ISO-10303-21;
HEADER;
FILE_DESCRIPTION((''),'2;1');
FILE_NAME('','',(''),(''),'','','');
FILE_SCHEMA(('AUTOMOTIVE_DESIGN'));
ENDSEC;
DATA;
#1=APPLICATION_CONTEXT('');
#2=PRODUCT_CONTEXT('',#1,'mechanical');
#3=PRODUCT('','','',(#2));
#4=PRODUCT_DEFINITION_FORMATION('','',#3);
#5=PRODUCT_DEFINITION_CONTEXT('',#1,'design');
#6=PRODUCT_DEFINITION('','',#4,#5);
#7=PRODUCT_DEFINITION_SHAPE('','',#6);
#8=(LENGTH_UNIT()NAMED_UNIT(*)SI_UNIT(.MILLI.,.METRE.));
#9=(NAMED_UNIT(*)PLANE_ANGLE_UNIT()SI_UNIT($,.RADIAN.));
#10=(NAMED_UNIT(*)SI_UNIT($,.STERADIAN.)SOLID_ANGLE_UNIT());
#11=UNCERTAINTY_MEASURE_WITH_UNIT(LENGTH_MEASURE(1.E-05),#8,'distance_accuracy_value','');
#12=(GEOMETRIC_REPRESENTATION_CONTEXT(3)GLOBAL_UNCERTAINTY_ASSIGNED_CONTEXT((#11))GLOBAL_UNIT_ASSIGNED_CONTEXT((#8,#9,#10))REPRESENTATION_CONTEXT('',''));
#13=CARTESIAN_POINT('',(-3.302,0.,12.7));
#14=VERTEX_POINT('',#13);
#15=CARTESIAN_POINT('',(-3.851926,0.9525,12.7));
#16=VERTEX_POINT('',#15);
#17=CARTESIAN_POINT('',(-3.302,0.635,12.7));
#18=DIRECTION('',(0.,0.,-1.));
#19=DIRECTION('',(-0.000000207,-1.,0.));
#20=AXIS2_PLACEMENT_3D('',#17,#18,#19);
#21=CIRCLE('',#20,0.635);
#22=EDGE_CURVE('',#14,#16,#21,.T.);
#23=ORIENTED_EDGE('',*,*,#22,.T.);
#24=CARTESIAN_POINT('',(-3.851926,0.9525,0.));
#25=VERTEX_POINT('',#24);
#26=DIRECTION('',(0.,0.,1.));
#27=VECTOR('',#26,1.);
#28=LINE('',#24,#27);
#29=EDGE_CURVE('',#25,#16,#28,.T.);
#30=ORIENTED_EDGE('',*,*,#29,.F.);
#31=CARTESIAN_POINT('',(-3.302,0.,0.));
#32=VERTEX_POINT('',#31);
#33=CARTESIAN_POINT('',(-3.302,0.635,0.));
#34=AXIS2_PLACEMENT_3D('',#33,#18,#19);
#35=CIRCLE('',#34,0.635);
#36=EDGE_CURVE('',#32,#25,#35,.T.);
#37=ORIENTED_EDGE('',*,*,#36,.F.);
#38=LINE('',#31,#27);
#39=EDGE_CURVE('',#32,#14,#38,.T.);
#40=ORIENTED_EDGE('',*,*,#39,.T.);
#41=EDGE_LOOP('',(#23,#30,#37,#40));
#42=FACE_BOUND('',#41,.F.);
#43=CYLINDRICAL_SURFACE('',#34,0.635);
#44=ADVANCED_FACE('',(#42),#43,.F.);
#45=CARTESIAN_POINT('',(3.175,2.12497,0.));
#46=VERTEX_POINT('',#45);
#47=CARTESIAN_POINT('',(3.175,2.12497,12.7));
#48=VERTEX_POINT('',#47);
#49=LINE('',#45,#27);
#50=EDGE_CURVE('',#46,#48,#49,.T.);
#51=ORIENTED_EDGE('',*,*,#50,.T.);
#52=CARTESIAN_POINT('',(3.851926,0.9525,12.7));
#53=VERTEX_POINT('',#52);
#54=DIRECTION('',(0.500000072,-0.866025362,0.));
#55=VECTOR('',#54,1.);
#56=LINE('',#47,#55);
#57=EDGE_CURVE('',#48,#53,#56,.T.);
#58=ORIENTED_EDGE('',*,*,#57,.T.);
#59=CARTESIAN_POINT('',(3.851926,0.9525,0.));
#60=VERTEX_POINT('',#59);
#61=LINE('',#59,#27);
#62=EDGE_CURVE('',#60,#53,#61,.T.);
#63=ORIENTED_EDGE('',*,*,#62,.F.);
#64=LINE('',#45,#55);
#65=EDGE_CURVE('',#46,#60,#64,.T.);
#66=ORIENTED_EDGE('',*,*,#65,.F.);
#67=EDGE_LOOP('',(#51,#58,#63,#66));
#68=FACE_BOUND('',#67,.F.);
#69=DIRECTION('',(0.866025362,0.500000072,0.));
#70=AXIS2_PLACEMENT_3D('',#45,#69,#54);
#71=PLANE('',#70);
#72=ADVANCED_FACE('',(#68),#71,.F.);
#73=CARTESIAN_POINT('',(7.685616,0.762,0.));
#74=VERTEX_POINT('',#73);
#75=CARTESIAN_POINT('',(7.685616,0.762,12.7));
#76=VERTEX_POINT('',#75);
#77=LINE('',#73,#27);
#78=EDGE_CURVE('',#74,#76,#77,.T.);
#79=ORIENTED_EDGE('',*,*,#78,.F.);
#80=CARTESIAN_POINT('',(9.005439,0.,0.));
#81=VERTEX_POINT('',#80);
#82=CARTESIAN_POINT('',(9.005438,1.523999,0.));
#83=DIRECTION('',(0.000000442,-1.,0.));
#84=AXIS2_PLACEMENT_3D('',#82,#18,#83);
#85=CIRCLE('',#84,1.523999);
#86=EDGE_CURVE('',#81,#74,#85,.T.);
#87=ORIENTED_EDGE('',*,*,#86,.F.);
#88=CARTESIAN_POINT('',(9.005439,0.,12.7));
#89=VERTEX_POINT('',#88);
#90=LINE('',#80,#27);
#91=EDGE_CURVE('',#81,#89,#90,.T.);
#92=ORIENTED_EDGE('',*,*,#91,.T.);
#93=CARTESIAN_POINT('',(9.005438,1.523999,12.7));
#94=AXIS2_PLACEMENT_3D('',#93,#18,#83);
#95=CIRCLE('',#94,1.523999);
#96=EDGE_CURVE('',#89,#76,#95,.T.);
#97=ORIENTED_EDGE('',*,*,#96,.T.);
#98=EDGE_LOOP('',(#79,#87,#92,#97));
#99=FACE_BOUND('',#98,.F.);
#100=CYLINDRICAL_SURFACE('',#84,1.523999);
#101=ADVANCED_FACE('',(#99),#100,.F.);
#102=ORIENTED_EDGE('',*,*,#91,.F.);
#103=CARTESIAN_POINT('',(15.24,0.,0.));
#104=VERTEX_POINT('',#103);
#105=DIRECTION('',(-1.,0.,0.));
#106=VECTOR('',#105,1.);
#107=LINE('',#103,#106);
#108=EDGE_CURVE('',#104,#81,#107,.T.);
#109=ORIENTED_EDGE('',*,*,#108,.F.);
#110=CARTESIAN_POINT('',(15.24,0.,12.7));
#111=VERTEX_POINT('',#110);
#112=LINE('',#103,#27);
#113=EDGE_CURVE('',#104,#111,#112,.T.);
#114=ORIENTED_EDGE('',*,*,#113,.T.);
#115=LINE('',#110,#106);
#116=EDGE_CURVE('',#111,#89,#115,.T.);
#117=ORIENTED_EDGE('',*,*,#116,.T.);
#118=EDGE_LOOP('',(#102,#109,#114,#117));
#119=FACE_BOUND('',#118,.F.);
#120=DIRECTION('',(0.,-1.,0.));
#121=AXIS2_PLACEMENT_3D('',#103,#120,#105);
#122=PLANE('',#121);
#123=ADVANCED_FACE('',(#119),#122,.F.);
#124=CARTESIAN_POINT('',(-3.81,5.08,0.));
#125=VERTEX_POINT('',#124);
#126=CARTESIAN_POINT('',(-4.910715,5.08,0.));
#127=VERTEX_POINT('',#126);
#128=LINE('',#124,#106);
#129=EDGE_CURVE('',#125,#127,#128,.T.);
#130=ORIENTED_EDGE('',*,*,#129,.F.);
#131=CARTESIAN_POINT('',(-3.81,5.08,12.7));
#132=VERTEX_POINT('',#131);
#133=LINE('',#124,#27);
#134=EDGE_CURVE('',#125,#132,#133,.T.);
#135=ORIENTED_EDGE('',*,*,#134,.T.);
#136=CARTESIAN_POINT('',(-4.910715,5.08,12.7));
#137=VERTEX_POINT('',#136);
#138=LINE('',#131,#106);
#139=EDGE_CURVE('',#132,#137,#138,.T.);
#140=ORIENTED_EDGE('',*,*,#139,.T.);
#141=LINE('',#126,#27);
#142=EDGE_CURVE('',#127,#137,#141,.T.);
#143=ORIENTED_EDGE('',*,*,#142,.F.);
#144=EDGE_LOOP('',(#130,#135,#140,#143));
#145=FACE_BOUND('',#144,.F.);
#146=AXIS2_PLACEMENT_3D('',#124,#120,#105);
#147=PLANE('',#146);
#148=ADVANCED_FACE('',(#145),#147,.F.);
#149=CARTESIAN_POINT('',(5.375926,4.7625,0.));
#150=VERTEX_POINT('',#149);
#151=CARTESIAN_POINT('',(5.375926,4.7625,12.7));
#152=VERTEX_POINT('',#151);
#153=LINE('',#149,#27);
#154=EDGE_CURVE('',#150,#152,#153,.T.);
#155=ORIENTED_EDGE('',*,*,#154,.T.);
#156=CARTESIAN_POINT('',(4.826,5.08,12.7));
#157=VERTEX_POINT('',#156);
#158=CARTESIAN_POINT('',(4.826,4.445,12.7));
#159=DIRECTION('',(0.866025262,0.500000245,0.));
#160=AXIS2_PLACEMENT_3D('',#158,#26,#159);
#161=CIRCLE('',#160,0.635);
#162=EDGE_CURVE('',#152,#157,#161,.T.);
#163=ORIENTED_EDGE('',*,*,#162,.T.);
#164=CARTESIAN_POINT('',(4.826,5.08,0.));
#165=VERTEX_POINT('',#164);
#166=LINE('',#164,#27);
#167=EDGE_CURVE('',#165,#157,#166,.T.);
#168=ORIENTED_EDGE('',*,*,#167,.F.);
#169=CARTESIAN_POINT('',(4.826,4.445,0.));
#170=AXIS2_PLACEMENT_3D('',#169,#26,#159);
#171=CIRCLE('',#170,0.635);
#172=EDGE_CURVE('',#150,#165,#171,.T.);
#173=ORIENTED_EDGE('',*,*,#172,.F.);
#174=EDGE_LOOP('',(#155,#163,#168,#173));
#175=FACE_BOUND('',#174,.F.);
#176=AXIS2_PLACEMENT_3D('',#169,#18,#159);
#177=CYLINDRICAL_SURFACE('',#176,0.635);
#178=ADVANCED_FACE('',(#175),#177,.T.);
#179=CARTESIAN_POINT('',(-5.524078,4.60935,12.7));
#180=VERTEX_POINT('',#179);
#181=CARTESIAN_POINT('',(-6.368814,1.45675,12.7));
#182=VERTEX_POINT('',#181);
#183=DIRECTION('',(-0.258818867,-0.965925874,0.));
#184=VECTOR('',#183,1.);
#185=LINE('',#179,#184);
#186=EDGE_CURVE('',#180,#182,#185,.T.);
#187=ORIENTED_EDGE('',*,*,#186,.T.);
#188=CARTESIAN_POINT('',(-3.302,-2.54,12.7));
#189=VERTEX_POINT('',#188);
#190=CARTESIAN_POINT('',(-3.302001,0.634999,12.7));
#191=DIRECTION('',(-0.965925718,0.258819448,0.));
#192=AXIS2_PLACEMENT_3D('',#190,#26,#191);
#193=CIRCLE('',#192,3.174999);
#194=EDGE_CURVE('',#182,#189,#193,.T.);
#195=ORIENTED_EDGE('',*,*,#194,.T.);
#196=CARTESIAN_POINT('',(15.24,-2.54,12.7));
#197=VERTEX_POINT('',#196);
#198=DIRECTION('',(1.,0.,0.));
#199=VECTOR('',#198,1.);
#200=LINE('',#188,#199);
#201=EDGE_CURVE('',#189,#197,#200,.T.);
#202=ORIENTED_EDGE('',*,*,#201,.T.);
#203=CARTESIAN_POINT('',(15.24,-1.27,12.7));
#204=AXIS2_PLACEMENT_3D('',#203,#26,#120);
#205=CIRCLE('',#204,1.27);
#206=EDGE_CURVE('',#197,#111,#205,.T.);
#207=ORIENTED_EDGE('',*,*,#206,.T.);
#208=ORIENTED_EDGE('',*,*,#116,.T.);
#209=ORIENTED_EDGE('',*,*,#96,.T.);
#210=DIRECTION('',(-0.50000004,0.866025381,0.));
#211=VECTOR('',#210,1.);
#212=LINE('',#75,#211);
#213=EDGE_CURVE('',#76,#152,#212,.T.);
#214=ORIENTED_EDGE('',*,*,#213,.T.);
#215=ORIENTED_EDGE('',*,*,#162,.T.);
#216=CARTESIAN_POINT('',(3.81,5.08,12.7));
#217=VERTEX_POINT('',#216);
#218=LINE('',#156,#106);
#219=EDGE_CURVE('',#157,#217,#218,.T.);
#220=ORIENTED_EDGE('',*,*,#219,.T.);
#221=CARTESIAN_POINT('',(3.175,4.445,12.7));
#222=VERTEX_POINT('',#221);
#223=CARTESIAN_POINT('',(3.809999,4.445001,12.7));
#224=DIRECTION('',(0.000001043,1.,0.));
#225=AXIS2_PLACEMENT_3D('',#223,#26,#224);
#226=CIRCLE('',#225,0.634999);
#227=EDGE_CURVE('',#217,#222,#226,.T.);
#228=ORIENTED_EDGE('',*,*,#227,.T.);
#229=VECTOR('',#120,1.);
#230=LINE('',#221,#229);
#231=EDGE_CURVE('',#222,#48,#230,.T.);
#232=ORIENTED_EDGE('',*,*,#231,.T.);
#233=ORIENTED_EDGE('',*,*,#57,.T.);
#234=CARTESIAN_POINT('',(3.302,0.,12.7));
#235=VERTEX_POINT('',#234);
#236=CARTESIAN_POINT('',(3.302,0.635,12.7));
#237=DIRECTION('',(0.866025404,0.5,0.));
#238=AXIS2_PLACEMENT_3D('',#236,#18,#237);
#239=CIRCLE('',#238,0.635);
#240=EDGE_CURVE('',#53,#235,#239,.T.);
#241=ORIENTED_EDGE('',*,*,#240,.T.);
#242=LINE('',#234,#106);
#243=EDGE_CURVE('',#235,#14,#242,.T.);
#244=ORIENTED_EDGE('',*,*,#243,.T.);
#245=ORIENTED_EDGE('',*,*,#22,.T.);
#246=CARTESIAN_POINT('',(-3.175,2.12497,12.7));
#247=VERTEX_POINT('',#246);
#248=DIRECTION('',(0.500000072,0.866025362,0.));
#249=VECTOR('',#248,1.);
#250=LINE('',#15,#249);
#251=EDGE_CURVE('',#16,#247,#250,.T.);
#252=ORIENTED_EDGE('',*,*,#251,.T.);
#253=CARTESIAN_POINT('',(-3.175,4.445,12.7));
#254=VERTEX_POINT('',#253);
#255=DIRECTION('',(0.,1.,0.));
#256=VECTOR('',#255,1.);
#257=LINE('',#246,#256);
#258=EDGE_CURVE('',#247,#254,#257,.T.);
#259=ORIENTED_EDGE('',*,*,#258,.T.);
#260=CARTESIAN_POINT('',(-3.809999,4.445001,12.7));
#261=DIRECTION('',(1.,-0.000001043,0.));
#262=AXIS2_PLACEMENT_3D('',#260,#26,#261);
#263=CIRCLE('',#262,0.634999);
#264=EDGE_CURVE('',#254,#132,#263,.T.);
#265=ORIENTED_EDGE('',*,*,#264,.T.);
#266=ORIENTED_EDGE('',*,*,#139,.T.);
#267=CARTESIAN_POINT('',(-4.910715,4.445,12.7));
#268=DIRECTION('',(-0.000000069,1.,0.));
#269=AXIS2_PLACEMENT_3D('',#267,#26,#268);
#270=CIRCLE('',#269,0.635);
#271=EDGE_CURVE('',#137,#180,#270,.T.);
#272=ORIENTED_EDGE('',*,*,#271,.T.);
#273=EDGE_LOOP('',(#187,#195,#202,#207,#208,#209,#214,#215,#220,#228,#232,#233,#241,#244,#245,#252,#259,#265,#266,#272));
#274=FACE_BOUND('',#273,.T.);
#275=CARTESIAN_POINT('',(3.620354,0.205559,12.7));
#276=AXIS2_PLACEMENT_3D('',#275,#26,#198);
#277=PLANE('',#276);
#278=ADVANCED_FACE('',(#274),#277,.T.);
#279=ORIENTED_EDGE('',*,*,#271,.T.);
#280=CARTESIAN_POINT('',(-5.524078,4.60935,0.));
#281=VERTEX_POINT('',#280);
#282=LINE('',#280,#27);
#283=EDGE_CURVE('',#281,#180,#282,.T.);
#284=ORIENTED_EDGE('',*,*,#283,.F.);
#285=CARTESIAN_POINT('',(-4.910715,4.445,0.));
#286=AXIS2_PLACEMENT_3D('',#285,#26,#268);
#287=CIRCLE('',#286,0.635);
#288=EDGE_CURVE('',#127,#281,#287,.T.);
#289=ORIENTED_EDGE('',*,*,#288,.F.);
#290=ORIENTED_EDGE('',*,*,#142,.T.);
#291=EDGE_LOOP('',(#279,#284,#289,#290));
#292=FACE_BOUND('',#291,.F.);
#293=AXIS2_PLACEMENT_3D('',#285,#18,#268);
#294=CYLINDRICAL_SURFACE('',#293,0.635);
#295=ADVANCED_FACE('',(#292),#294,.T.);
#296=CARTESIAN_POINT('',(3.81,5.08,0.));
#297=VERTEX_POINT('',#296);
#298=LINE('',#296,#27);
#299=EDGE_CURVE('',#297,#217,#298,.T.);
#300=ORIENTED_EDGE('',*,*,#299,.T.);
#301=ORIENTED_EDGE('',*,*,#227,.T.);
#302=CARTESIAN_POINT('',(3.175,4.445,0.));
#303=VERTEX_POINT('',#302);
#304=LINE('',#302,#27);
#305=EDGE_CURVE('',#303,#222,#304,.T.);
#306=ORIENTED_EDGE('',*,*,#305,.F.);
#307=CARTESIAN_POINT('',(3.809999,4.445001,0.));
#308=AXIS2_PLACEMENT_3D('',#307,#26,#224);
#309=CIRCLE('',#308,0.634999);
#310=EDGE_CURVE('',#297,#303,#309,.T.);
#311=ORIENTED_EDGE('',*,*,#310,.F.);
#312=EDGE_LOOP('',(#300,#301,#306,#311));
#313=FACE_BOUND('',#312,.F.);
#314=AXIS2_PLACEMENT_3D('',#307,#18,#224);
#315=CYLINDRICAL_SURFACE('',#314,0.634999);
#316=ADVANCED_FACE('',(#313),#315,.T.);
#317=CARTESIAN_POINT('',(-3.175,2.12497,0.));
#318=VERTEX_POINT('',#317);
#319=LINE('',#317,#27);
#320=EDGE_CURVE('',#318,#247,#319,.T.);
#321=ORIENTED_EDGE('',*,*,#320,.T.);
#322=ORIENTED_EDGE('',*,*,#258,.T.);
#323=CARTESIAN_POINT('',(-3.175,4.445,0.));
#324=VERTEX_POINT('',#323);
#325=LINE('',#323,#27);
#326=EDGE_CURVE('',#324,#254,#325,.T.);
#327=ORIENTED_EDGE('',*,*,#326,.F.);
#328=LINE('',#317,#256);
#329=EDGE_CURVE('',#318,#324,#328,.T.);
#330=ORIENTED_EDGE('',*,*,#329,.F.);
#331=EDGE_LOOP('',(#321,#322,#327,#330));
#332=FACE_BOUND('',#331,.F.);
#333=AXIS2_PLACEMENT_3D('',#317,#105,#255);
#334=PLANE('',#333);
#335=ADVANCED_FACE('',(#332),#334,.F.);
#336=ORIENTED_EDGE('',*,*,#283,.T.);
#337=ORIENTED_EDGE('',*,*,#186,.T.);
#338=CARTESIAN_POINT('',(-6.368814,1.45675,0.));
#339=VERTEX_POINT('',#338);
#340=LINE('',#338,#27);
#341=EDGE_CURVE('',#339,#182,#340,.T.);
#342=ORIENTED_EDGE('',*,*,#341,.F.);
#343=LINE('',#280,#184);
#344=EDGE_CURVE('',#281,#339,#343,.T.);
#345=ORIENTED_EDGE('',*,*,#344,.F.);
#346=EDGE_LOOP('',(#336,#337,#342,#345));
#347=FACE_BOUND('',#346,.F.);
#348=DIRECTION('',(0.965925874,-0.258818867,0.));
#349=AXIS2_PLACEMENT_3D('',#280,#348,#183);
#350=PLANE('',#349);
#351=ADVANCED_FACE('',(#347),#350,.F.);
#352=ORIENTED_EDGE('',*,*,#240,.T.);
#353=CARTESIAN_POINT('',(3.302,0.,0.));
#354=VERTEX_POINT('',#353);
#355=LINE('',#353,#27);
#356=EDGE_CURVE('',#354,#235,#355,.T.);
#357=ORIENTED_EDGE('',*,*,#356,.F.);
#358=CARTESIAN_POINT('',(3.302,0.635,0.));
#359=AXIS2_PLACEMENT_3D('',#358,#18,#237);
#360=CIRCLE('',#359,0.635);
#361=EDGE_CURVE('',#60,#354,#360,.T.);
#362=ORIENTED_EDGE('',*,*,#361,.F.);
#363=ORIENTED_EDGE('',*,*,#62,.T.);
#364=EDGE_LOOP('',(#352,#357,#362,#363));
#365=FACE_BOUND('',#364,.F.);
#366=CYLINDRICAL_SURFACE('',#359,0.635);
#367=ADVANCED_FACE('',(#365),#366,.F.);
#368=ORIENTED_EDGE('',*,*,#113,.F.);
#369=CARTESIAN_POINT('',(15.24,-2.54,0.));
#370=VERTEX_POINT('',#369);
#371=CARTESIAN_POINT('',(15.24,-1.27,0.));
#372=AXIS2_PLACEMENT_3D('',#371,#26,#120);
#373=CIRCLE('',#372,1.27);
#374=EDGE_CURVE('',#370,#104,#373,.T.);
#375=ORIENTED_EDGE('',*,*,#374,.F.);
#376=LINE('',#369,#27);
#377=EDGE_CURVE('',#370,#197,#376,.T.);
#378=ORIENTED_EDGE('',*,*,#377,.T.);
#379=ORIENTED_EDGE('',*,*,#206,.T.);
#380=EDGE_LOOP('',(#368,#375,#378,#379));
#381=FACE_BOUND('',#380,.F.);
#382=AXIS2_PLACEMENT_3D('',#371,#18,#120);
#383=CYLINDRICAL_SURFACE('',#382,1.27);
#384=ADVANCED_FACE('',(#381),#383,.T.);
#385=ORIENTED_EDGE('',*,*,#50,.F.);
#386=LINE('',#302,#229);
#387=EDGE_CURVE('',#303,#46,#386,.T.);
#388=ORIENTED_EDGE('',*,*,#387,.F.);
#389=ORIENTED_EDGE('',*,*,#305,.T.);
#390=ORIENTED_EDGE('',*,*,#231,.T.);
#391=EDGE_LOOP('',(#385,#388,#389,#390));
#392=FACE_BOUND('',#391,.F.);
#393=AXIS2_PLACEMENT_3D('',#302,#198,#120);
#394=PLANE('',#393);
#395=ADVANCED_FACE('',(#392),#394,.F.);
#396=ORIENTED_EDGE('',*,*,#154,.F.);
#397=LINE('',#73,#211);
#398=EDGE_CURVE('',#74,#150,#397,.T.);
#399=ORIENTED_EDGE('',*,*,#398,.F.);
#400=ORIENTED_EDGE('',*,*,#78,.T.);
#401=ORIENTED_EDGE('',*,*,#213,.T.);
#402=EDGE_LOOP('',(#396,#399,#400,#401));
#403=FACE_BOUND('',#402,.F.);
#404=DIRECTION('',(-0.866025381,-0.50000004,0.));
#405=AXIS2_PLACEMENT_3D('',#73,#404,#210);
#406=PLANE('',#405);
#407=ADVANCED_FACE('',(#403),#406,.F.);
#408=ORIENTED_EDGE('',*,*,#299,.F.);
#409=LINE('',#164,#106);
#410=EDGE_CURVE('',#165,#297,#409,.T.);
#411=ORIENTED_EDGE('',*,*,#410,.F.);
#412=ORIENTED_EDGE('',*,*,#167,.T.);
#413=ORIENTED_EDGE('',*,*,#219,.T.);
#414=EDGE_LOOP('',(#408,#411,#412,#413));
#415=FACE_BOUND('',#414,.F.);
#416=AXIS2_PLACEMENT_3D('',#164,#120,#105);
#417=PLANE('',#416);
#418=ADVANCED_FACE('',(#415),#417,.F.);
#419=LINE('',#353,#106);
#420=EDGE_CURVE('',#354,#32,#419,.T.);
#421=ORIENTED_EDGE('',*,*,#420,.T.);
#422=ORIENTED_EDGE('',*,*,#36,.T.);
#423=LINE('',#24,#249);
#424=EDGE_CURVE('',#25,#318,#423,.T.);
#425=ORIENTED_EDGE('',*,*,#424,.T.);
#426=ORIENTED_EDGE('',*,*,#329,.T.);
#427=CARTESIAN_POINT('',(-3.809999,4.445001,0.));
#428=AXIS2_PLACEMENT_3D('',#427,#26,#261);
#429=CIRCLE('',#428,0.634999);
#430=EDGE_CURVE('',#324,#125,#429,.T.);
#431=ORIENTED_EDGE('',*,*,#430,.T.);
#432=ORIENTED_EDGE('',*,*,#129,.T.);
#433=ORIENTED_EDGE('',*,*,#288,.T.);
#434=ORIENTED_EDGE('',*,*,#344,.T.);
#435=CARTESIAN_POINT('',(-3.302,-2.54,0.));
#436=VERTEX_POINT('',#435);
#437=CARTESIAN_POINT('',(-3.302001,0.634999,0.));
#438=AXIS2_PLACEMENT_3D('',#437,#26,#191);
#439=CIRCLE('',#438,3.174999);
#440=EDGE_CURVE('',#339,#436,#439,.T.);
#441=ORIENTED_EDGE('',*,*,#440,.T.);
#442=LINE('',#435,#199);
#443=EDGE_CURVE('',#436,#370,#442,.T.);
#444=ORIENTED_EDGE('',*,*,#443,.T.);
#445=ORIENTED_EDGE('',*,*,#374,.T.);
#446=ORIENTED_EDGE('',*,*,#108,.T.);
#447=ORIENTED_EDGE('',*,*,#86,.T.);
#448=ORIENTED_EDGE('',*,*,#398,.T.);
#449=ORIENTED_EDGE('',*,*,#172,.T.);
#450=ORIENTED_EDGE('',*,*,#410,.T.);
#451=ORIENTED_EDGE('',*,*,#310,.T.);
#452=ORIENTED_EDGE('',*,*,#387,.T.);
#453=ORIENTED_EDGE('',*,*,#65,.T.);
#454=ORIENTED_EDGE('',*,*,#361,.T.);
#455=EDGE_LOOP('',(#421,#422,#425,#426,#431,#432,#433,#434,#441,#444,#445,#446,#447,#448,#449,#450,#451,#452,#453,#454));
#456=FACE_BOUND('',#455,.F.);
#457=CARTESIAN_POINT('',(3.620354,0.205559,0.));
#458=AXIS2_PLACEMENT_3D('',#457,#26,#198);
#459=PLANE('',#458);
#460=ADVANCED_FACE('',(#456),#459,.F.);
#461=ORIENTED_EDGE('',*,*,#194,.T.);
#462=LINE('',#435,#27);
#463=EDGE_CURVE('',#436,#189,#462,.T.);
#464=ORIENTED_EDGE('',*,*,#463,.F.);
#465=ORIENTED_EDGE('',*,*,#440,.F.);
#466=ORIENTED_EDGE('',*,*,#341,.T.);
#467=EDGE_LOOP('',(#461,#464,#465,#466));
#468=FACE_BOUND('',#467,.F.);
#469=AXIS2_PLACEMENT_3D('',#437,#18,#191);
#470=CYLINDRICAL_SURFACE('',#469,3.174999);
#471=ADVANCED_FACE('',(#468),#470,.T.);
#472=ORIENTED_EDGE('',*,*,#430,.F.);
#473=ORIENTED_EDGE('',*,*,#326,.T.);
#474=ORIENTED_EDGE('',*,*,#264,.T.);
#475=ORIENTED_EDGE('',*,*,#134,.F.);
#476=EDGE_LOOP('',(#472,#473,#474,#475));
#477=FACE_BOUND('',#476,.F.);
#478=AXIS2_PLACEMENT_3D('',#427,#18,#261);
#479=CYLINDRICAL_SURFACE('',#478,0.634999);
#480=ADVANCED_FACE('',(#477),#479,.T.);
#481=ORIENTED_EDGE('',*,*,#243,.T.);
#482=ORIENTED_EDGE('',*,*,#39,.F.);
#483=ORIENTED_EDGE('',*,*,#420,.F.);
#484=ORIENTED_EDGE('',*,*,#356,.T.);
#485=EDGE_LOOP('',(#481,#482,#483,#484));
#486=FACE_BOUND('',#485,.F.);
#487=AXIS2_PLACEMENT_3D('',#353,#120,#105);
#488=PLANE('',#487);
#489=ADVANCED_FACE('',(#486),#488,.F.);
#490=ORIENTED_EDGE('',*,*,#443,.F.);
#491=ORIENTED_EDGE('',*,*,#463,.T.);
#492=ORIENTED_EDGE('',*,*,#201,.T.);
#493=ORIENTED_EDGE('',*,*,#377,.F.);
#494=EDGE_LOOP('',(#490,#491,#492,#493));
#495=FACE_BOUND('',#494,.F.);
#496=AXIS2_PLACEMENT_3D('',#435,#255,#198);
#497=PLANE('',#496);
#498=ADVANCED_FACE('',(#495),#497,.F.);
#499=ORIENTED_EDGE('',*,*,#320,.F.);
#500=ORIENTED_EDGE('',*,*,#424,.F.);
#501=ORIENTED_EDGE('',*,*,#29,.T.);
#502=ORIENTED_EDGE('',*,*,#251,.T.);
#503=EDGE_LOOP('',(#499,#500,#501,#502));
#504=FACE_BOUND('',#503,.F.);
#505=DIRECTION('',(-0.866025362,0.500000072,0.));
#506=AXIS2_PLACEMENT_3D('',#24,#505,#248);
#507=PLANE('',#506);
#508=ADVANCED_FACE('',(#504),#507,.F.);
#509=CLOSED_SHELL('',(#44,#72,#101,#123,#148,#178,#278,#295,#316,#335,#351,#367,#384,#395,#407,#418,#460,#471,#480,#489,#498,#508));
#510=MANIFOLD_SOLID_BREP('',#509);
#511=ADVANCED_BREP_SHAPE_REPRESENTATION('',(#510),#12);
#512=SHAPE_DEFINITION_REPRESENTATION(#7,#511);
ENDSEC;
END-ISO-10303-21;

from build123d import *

# Parameters (mm, degrees)
F1_DEPTH = 12.7


with BuildPart() as f1:
    # F0 (on Top) → F1 (new body)
    with BuildSketch(Plane.XY):
        with BuildLine():
            Line((3.302, 0), (-3.302, 0))
            ThreePointArc((-3.302, 0), (-3.851926, 0.3175), (-3.851926, 0.9525))
            Line((-3.851926, 0.9525), (-3.175, 2.12497))
            Line((-3.175, 2.12497), (-3.175, 4.445))
            ThreePointArc((-3.175, 4.445), (-3.360987, 4.894013), (-3.81, 5.08))
            Line((-3.81, 5.08), (-4.910715, 5.08))
            ThreePointArc((-4.910715, 5.08), (-5.297279, 4.948779), (-5.524078, 4.60935))
            Line((-5.524078, 4.60935), (-6.368814, 1.45675))
            ThreePointArc((-6.368814, 1.45675), (-5.820897, -1.297818), (-3.302, -2.54))
            Line((-3.302, -2.54), (15.24, -2.54))
            ThreePointArc((15.24, -2.54), (16.51, -1.27), (15.24, 0))
            Line((15.24, 0), (9.005439, 0))
            ThreePointArc((9.005439, 0), (8.243439, 0.204177), (7.685616, 0.762))
            Line((7.685616, 0.762), (5.375926, 4.7625))
            ThreePointArc((5.375926, 4.7625), (5.1435, 4.994926), (4.826, 5.08))
            Line((4.826, 5.08), (3.81, 5.08))
            ThreePointArc((3.81, 5.08), (3.360987, 4.894013), (3.175, 4.445))
            Line((3.175, 4.445), (3.175, 2.12497))
            Line((3.175, 2.12497), (3.851926, 0.9525))
            ThreePointArc((3.851926, 0.9525), (3.851926, 0.3175), (3.302, 0))
        make_face()
    extrude(amount=F1_DEPTH)


solid = f1.part
